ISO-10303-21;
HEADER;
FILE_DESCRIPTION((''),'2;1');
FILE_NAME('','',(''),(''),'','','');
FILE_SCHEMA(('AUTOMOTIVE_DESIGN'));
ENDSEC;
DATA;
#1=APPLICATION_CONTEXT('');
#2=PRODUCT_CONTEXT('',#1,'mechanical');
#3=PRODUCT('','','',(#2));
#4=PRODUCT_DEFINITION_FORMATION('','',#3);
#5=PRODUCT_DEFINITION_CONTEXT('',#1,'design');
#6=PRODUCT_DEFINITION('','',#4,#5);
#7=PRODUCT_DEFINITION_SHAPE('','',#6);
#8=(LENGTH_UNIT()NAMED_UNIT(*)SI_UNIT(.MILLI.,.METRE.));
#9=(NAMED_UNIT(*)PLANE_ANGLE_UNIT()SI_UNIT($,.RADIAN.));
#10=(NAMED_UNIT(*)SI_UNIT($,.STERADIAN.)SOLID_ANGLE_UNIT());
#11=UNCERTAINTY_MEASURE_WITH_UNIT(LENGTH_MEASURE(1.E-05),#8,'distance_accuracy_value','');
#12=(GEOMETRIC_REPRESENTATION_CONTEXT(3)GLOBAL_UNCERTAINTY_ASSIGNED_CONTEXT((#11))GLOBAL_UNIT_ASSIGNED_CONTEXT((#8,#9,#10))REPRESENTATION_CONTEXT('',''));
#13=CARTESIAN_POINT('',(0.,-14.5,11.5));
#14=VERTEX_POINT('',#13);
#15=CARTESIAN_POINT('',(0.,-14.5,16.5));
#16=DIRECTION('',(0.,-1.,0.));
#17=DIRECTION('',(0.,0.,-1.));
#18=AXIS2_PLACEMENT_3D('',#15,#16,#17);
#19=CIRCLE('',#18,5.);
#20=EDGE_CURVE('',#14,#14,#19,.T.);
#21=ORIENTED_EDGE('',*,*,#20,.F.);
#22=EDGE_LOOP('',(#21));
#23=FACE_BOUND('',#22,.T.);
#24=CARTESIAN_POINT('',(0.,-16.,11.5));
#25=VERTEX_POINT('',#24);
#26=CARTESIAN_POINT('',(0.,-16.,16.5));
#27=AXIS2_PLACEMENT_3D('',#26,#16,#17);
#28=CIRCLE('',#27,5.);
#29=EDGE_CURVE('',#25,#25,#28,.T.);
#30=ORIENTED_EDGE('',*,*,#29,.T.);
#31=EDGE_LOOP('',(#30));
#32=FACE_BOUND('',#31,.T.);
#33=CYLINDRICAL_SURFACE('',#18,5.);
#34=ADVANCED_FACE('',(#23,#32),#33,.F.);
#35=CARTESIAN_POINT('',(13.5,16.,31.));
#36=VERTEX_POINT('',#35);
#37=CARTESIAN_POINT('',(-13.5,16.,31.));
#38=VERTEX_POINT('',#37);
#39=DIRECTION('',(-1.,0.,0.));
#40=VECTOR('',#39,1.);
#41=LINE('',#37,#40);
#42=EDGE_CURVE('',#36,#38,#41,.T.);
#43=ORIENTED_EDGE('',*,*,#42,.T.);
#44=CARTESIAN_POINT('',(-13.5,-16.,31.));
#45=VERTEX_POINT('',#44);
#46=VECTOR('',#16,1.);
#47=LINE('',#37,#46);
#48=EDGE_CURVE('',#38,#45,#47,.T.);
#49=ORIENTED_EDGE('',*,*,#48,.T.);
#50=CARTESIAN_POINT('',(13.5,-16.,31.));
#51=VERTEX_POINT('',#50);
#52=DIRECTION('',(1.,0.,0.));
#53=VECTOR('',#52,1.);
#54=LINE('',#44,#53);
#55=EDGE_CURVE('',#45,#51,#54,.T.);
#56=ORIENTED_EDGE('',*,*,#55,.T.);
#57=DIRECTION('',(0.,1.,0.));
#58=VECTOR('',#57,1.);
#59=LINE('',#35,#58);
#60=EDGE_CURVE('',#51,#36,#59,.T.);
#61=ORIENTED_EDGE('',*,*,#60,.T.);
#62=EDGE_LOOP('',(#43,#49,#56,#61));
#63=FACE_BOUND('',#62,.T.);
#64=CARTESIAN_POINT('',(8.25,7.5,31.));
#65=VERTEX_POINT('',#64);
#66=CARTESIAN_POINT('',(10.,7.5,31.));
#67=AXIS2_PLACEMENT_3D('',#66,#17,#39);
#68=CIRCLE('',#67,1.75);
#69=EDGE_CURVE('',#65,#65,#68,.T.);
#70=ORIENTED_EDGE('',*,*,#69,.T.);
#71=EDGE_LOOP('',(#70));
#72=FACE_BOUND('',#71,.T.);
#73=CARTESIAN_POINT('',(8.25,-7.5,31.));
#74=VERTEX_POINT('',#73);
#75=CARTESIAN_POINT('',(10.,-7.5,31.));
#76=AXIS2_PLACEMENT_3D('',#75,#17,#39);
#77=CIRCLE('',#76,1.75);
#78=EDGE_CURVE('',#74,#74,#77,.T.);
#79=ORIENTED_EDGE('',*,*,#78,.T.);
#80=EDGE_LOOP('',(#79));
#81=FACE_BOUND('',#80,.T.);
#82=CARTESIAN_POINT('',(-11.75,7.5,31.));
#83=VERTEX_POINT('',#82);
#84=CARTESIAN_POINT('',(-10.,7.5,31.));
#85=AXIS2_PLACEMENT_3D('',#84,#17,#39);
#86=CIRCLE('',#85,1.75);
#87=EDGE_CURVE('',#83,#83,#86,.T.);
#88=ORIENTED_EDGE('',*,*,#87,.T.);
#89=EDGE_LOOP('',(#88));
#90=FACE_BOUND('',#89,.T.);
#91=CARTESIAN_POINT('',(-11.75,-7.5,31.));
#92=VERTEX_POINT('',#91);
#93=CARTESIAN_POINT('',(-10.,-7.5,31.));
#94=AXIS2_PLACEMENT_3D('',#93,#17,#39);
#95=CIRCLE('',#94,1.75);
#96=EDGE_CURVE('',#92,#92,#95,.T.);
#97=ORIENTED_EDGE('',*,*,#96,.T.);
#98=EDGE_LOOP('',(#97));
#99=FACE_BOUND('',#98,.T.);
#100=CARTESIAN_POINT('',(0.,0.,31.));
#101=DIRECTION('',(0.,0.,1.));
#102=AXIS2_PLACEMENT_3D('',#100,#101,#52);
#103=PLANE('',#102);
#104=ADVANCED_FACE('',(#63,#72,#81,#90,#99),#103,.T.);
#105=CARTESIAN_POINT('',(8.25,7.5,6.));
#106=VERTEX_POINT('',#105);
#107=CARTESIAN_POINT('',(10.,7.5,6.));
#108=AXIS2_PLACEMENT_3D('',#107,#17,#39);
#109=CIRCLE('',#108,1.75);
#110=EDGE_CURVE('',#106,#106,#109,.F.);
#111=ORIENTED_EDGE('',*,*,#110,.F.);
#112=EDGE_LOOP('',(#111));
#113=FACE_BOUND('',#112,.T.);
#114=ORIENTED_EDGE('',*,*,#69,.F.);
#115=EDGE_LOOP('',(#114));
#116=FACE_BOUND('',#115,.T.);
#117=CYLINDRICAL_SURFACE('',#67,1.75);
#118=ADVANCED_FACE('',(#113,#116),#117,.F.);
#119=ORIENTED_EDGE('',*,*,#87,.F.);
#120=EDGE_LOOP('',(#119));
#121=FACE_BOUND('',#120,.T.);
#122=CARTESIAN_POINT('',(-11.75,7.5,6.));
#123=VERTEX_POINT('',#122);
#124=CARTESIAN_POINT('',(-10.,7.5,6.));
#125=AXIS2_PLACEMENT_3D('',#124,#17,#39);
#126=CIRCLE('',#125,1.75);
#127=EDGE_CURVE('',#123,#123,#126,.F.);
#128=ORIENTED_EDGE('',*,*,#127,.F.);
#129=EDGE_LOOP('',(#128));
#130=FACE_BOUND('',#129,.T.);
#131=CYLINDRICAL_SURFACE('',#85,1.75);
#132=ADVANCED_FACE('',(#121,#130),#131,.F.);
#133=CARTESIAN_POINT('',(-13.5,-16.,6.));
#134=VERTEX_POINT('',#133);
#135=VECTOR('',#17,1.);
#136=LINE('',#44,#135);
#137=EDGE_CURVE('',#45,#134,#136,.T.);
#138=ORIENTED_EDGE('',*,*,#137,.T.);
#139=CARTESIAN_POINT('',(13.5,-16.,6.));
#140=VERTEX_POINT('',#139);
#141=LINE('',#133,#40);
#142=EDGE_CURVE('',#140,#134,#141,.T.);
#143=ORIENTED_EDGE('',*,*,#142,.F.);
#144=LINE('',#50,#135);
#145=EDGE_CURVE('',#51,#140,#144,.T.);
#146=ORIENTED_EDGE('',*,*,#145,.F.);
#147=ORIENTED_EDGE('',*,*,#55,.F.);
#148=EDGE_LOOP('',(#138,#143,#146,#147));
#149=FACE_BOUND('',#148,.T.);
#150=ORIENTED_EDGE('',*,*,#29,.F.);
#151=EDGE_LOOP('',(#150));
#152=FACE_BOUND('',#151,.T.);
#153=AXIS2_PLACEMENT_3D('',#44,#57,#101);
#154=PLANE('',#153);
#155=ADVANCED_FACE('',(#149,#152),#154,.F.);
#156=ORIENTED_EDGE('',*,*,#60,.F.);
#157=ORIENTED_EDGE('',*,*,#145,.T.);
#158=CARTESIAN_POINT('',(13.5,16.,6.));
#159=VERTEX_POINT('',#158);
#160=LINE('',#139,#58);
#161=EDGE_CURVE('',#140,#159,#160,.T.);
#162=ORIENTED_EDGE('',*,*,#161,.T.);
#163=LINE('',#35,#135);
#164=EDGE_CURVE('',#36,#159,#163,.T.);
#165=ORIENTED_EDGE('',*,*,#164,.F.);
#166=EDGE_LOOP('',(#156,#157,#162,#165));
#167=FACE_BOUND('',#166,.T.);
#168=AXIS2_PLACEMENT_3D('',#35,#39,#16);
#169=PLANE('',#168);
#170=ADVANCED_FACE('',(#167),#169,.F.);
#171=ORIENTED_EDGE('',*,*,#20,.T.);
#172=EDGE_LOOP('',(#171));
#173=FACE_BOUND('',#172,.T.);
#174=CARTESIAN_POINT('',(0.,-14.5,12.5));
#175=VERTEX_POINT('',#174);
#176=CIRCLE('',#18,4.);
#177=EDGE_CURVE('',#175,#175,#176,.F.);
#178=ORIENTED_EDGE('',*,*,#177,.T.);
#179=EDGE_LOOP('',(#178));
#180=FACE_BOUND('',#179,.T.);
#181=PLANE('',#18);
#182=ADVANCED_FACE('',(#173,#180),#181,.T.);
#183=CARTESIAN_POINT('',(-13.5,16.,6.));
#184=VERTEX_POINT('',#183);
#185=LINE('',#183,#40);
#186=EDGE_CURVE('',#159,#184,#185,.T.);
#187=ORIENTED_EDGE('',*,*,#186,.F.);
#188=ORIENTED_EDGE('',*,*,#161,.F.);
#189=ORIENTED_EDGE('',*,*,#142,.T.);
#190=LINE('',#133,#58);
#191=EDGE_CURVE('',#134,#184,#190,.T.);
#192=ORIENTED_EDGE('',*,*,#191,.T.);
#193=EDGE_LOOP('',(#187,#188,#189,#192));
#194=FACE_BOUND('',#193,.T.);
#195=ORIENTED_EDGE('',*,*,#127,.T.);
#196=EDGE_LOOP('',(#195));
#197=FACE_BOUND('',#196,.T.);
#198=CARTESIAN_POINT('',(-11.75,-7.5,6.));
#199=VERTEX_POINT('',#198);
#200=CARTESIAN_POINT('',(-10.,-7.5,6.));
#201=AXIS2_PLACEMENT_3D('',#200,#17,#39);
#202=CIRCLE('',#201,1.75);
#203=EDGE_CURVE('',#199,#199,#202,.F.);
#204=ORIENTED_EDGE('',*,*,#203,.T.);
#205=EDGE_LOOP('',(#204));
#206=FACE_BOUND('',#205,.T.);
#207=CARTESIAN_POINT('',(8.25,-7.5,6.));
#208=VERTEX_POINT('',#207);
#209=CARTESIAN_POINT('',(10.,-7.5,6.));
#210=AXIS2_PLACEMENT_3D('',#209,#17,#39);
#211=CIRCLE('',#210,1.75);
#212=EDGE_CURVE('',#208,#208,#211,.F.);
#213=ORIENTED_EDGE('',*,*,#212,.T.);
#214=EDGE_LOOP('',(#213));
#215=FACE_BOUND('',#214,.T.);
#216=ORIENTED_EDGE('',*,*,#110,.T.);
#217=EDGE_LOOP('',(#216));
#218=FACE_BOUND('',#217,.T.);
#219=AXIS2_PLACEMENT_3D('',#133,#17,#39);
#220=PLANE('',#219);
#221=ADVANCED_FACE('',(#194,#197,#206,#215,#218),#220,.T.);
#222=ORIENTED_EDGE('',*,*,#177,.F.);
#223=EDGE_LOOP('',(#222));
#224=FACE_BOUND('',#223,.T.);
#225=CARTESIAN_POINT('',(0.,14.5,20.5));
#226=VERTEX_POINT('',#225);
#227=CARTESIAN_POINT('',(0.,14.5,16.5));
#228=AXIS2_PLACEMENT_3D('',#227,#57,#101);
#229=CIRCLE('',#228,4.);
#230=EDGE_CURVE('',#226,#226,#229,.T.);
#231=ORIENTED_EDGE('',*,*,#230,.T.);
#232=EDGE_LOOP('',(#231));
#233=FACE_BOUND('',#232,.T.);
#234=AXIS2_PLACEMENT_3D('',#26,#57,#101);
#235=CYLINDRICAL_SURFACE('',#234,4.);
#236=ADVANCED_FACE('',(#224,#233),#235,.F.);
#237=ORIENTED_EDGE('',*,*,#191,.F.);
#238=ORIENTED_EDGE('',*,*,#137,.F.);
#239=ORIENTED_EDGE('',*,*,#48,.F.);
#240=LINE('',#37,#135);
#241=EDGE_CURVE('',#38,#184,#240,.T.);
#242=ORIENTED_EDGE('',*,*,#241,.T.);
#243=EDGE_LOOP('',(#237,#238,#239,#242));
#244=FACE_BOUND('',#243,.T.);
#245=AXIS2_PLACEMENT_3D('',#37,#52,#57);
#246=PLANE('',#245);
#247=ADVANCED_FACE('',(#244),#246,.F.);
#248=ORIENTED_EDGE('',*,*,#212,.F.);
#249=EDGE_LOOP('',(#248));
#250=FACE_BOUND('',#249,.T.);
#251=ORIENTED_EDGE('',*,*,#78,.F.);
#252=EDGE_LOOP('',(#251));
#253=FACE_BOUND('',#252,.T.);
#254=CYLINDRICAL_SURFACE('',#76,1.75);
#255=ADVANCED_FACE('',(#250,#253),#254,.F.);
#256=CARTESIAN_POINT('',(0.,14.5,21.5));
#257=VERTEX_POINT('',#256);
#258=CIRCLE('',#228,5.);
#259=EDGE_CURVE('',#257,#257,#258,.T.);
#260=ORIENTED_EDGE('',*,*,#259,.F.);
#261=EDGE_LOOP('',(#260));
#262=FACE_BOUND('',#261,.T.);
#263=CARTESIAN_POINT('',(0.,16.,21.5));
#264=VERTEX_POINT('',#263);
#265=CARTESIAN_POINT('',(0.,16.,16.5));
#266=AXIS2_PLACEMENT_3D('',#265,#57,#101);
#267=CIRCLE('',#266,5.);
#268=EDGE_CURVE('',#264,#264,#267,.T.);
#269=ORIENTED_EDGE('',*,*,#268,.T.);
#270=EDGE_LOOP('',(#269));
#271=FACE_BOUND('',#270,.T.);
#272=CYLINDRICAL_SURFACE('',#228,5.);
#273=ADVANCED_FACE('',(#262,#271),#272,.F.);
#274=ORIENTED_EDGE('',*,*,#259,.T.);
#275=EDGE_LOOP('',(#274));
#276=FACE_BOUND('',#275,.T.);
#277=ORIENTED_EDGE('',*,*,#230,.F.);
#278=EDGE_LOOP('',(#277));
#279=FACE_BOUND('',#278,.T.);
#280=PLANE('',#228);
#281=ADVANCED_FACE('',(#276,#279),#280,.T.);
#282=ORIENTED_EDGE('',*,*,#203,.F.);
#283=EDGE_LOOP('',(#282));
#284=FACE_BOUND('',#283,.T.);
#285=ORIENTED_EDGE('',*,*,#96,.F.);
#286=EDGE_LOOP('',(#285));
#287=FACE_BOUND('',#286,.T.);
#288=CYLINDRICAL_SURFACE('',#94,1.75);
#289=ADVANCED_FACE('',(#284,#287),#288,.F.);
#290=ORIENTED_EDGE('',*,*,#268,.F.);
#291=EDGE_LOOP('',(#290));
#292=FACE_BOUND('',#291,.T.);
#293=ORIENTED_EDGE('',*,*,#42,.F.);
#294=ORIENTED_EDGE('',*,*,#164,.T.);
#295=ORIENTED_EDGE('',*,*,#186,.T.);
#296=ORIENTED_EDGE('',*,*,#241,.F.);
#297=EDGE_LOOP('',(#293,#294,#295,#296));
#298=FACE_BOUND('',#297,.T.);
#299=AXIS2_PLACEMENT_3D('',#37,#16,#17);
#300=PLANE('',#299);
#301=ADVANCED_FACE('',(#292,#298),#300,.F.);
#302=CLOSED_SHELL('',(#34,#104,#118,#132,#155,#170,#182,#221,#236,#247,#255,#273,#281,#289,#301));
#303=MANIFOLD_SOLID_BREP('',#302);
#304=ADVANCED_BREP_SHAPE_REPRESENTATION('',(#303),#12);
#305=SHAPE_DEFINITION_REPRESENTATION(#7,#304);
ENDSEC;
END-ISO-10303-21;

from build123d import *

# Parameters (mm, degrees)
SCHIZZO1_W                   = 27
SCHIZZO1_H                   = 32
ESTRUSIONE_ESTRUSIONE1_DEPTH = 31
SCHIZZO2_R                   = 1.75
TAGLIO_ESTRUSIONE1_DEPTH     = 32
SCHIZZO8_OUTSIDE_W           = 39.42
SCHIZZO8_OUTSIDE_H           = 43.42
SCHIZZO8_OUTSIDE_W_2         = 27
SCHIZZO8_OUTSIDE_H_2         = 25
TAGLIO_ESTRUSIONE7_DEPTH     = 33
SCHIZZO10_R                  = 5
TAGLIO_ESTRUSIONE8_DEPTH     = 1.5
SCHIZZO11_R                  = 4
TAGLIO_ESTRUSIONE9_DEPTH     = 33
SCHIZZO12_R                  = 5
TAGLIO_ESTRUSIONE10_DEPTH    = 1.5


with BuildPart() as part:
    # Schizzo1 → Estrusione-Estrusione1 (new body)
    with BuildSketch(Plane.XY):
        Rectangle(SCHIZZO1_W, SCHIZZO1_H)
    extrude(amount=ESTRUSIONE_ESTRUSIONE1_DEPTH)

    # Schizzo2 → Taglio-Estrusione1 (cut, through all)
    with BuildSketch(Plane(origin=(0, 0, 0), x_dir=(-1, 0, 0), z_dir=(0, 0, -1))):
        with Locations((-10, 7.5)):
            Circle(SCHIZZO2_R)
        with Locations((10, 7.5)):
            Circle(SCHIZZO2_R)
        with Locations((10, -7.5)):
            Circle(SCHIZZO2_R)
        with Locations((-10, -7.5)):
            Circle(SCHIZZO2_R)
    extrude(amount=-TAGLIO_ESTRUSIONE1_DEPTH, mode=Mode.SUBTRACT)

    # Schizzo8 outside → Taglio-Estrusione7 (cut, through all)
    with BuildSketch(Plane(origin=(0, 16, 0), x_dir=(1, 0, 0), z_dir=(0, 1, 0))):
        with Locations((0, -15.5)):
            Rectangle(SCHIZZO8_OUTSIDE_W, SCHIZZO8_OUTSIDE_H)
        with Locations((0, -18.5)):
            Rectangle(SCHIZZO8_OUTSIDE_W_2, SCHIZZO8_OUTSIDE_H_2, mode=Mode.SUBTRACT)
    extrude(amount=-TAGLIO_ESTRUSIONE7_DEPTH, mode=Mode.SUBTRACT)

    # Schizzo10 → Taglio-Estrusione8 (cut)
    with BuildSketch(Plane(origin=(0, 16, 0), x_dir=(1, 0, 0), z_dir=(0, 1, 0))):
        with Locations((0, -16.5)):
            Circle(SCHIZZO10_R)
    extrude(amount=-TAGLIO_ESTRUSIONE8_DEPTH, mode=Mode.SUBTRACT)

    # Schizzo11 → Taglio-Estrusione9 (cut, through all)
    with BuildSketch(Plane(origin=(0, 16, 0), x_dir=(1, 0, 0), z_dir=(0, 1, 0))):
        with Locations((0, -16.5)):
            Circle(SCHIZZO11_R)
    extrude(amount=-TAGLIO_ESTRUSIONE9_DEPTH, mode=Mode.SUBTRACT)

    # Schizzo12 → Taglio-Estrusione10 (cut)
    with BuildSketch(Plane.XZ.offset(16)):
        with Locations((0, 16.5)):
            Circle(SCHIZZO12_R)
    extrude(amount=-TAGLIO_ESTRUSIONE10_DEPTH, mode=Mode.SUBTRACT)


solid = part.part
